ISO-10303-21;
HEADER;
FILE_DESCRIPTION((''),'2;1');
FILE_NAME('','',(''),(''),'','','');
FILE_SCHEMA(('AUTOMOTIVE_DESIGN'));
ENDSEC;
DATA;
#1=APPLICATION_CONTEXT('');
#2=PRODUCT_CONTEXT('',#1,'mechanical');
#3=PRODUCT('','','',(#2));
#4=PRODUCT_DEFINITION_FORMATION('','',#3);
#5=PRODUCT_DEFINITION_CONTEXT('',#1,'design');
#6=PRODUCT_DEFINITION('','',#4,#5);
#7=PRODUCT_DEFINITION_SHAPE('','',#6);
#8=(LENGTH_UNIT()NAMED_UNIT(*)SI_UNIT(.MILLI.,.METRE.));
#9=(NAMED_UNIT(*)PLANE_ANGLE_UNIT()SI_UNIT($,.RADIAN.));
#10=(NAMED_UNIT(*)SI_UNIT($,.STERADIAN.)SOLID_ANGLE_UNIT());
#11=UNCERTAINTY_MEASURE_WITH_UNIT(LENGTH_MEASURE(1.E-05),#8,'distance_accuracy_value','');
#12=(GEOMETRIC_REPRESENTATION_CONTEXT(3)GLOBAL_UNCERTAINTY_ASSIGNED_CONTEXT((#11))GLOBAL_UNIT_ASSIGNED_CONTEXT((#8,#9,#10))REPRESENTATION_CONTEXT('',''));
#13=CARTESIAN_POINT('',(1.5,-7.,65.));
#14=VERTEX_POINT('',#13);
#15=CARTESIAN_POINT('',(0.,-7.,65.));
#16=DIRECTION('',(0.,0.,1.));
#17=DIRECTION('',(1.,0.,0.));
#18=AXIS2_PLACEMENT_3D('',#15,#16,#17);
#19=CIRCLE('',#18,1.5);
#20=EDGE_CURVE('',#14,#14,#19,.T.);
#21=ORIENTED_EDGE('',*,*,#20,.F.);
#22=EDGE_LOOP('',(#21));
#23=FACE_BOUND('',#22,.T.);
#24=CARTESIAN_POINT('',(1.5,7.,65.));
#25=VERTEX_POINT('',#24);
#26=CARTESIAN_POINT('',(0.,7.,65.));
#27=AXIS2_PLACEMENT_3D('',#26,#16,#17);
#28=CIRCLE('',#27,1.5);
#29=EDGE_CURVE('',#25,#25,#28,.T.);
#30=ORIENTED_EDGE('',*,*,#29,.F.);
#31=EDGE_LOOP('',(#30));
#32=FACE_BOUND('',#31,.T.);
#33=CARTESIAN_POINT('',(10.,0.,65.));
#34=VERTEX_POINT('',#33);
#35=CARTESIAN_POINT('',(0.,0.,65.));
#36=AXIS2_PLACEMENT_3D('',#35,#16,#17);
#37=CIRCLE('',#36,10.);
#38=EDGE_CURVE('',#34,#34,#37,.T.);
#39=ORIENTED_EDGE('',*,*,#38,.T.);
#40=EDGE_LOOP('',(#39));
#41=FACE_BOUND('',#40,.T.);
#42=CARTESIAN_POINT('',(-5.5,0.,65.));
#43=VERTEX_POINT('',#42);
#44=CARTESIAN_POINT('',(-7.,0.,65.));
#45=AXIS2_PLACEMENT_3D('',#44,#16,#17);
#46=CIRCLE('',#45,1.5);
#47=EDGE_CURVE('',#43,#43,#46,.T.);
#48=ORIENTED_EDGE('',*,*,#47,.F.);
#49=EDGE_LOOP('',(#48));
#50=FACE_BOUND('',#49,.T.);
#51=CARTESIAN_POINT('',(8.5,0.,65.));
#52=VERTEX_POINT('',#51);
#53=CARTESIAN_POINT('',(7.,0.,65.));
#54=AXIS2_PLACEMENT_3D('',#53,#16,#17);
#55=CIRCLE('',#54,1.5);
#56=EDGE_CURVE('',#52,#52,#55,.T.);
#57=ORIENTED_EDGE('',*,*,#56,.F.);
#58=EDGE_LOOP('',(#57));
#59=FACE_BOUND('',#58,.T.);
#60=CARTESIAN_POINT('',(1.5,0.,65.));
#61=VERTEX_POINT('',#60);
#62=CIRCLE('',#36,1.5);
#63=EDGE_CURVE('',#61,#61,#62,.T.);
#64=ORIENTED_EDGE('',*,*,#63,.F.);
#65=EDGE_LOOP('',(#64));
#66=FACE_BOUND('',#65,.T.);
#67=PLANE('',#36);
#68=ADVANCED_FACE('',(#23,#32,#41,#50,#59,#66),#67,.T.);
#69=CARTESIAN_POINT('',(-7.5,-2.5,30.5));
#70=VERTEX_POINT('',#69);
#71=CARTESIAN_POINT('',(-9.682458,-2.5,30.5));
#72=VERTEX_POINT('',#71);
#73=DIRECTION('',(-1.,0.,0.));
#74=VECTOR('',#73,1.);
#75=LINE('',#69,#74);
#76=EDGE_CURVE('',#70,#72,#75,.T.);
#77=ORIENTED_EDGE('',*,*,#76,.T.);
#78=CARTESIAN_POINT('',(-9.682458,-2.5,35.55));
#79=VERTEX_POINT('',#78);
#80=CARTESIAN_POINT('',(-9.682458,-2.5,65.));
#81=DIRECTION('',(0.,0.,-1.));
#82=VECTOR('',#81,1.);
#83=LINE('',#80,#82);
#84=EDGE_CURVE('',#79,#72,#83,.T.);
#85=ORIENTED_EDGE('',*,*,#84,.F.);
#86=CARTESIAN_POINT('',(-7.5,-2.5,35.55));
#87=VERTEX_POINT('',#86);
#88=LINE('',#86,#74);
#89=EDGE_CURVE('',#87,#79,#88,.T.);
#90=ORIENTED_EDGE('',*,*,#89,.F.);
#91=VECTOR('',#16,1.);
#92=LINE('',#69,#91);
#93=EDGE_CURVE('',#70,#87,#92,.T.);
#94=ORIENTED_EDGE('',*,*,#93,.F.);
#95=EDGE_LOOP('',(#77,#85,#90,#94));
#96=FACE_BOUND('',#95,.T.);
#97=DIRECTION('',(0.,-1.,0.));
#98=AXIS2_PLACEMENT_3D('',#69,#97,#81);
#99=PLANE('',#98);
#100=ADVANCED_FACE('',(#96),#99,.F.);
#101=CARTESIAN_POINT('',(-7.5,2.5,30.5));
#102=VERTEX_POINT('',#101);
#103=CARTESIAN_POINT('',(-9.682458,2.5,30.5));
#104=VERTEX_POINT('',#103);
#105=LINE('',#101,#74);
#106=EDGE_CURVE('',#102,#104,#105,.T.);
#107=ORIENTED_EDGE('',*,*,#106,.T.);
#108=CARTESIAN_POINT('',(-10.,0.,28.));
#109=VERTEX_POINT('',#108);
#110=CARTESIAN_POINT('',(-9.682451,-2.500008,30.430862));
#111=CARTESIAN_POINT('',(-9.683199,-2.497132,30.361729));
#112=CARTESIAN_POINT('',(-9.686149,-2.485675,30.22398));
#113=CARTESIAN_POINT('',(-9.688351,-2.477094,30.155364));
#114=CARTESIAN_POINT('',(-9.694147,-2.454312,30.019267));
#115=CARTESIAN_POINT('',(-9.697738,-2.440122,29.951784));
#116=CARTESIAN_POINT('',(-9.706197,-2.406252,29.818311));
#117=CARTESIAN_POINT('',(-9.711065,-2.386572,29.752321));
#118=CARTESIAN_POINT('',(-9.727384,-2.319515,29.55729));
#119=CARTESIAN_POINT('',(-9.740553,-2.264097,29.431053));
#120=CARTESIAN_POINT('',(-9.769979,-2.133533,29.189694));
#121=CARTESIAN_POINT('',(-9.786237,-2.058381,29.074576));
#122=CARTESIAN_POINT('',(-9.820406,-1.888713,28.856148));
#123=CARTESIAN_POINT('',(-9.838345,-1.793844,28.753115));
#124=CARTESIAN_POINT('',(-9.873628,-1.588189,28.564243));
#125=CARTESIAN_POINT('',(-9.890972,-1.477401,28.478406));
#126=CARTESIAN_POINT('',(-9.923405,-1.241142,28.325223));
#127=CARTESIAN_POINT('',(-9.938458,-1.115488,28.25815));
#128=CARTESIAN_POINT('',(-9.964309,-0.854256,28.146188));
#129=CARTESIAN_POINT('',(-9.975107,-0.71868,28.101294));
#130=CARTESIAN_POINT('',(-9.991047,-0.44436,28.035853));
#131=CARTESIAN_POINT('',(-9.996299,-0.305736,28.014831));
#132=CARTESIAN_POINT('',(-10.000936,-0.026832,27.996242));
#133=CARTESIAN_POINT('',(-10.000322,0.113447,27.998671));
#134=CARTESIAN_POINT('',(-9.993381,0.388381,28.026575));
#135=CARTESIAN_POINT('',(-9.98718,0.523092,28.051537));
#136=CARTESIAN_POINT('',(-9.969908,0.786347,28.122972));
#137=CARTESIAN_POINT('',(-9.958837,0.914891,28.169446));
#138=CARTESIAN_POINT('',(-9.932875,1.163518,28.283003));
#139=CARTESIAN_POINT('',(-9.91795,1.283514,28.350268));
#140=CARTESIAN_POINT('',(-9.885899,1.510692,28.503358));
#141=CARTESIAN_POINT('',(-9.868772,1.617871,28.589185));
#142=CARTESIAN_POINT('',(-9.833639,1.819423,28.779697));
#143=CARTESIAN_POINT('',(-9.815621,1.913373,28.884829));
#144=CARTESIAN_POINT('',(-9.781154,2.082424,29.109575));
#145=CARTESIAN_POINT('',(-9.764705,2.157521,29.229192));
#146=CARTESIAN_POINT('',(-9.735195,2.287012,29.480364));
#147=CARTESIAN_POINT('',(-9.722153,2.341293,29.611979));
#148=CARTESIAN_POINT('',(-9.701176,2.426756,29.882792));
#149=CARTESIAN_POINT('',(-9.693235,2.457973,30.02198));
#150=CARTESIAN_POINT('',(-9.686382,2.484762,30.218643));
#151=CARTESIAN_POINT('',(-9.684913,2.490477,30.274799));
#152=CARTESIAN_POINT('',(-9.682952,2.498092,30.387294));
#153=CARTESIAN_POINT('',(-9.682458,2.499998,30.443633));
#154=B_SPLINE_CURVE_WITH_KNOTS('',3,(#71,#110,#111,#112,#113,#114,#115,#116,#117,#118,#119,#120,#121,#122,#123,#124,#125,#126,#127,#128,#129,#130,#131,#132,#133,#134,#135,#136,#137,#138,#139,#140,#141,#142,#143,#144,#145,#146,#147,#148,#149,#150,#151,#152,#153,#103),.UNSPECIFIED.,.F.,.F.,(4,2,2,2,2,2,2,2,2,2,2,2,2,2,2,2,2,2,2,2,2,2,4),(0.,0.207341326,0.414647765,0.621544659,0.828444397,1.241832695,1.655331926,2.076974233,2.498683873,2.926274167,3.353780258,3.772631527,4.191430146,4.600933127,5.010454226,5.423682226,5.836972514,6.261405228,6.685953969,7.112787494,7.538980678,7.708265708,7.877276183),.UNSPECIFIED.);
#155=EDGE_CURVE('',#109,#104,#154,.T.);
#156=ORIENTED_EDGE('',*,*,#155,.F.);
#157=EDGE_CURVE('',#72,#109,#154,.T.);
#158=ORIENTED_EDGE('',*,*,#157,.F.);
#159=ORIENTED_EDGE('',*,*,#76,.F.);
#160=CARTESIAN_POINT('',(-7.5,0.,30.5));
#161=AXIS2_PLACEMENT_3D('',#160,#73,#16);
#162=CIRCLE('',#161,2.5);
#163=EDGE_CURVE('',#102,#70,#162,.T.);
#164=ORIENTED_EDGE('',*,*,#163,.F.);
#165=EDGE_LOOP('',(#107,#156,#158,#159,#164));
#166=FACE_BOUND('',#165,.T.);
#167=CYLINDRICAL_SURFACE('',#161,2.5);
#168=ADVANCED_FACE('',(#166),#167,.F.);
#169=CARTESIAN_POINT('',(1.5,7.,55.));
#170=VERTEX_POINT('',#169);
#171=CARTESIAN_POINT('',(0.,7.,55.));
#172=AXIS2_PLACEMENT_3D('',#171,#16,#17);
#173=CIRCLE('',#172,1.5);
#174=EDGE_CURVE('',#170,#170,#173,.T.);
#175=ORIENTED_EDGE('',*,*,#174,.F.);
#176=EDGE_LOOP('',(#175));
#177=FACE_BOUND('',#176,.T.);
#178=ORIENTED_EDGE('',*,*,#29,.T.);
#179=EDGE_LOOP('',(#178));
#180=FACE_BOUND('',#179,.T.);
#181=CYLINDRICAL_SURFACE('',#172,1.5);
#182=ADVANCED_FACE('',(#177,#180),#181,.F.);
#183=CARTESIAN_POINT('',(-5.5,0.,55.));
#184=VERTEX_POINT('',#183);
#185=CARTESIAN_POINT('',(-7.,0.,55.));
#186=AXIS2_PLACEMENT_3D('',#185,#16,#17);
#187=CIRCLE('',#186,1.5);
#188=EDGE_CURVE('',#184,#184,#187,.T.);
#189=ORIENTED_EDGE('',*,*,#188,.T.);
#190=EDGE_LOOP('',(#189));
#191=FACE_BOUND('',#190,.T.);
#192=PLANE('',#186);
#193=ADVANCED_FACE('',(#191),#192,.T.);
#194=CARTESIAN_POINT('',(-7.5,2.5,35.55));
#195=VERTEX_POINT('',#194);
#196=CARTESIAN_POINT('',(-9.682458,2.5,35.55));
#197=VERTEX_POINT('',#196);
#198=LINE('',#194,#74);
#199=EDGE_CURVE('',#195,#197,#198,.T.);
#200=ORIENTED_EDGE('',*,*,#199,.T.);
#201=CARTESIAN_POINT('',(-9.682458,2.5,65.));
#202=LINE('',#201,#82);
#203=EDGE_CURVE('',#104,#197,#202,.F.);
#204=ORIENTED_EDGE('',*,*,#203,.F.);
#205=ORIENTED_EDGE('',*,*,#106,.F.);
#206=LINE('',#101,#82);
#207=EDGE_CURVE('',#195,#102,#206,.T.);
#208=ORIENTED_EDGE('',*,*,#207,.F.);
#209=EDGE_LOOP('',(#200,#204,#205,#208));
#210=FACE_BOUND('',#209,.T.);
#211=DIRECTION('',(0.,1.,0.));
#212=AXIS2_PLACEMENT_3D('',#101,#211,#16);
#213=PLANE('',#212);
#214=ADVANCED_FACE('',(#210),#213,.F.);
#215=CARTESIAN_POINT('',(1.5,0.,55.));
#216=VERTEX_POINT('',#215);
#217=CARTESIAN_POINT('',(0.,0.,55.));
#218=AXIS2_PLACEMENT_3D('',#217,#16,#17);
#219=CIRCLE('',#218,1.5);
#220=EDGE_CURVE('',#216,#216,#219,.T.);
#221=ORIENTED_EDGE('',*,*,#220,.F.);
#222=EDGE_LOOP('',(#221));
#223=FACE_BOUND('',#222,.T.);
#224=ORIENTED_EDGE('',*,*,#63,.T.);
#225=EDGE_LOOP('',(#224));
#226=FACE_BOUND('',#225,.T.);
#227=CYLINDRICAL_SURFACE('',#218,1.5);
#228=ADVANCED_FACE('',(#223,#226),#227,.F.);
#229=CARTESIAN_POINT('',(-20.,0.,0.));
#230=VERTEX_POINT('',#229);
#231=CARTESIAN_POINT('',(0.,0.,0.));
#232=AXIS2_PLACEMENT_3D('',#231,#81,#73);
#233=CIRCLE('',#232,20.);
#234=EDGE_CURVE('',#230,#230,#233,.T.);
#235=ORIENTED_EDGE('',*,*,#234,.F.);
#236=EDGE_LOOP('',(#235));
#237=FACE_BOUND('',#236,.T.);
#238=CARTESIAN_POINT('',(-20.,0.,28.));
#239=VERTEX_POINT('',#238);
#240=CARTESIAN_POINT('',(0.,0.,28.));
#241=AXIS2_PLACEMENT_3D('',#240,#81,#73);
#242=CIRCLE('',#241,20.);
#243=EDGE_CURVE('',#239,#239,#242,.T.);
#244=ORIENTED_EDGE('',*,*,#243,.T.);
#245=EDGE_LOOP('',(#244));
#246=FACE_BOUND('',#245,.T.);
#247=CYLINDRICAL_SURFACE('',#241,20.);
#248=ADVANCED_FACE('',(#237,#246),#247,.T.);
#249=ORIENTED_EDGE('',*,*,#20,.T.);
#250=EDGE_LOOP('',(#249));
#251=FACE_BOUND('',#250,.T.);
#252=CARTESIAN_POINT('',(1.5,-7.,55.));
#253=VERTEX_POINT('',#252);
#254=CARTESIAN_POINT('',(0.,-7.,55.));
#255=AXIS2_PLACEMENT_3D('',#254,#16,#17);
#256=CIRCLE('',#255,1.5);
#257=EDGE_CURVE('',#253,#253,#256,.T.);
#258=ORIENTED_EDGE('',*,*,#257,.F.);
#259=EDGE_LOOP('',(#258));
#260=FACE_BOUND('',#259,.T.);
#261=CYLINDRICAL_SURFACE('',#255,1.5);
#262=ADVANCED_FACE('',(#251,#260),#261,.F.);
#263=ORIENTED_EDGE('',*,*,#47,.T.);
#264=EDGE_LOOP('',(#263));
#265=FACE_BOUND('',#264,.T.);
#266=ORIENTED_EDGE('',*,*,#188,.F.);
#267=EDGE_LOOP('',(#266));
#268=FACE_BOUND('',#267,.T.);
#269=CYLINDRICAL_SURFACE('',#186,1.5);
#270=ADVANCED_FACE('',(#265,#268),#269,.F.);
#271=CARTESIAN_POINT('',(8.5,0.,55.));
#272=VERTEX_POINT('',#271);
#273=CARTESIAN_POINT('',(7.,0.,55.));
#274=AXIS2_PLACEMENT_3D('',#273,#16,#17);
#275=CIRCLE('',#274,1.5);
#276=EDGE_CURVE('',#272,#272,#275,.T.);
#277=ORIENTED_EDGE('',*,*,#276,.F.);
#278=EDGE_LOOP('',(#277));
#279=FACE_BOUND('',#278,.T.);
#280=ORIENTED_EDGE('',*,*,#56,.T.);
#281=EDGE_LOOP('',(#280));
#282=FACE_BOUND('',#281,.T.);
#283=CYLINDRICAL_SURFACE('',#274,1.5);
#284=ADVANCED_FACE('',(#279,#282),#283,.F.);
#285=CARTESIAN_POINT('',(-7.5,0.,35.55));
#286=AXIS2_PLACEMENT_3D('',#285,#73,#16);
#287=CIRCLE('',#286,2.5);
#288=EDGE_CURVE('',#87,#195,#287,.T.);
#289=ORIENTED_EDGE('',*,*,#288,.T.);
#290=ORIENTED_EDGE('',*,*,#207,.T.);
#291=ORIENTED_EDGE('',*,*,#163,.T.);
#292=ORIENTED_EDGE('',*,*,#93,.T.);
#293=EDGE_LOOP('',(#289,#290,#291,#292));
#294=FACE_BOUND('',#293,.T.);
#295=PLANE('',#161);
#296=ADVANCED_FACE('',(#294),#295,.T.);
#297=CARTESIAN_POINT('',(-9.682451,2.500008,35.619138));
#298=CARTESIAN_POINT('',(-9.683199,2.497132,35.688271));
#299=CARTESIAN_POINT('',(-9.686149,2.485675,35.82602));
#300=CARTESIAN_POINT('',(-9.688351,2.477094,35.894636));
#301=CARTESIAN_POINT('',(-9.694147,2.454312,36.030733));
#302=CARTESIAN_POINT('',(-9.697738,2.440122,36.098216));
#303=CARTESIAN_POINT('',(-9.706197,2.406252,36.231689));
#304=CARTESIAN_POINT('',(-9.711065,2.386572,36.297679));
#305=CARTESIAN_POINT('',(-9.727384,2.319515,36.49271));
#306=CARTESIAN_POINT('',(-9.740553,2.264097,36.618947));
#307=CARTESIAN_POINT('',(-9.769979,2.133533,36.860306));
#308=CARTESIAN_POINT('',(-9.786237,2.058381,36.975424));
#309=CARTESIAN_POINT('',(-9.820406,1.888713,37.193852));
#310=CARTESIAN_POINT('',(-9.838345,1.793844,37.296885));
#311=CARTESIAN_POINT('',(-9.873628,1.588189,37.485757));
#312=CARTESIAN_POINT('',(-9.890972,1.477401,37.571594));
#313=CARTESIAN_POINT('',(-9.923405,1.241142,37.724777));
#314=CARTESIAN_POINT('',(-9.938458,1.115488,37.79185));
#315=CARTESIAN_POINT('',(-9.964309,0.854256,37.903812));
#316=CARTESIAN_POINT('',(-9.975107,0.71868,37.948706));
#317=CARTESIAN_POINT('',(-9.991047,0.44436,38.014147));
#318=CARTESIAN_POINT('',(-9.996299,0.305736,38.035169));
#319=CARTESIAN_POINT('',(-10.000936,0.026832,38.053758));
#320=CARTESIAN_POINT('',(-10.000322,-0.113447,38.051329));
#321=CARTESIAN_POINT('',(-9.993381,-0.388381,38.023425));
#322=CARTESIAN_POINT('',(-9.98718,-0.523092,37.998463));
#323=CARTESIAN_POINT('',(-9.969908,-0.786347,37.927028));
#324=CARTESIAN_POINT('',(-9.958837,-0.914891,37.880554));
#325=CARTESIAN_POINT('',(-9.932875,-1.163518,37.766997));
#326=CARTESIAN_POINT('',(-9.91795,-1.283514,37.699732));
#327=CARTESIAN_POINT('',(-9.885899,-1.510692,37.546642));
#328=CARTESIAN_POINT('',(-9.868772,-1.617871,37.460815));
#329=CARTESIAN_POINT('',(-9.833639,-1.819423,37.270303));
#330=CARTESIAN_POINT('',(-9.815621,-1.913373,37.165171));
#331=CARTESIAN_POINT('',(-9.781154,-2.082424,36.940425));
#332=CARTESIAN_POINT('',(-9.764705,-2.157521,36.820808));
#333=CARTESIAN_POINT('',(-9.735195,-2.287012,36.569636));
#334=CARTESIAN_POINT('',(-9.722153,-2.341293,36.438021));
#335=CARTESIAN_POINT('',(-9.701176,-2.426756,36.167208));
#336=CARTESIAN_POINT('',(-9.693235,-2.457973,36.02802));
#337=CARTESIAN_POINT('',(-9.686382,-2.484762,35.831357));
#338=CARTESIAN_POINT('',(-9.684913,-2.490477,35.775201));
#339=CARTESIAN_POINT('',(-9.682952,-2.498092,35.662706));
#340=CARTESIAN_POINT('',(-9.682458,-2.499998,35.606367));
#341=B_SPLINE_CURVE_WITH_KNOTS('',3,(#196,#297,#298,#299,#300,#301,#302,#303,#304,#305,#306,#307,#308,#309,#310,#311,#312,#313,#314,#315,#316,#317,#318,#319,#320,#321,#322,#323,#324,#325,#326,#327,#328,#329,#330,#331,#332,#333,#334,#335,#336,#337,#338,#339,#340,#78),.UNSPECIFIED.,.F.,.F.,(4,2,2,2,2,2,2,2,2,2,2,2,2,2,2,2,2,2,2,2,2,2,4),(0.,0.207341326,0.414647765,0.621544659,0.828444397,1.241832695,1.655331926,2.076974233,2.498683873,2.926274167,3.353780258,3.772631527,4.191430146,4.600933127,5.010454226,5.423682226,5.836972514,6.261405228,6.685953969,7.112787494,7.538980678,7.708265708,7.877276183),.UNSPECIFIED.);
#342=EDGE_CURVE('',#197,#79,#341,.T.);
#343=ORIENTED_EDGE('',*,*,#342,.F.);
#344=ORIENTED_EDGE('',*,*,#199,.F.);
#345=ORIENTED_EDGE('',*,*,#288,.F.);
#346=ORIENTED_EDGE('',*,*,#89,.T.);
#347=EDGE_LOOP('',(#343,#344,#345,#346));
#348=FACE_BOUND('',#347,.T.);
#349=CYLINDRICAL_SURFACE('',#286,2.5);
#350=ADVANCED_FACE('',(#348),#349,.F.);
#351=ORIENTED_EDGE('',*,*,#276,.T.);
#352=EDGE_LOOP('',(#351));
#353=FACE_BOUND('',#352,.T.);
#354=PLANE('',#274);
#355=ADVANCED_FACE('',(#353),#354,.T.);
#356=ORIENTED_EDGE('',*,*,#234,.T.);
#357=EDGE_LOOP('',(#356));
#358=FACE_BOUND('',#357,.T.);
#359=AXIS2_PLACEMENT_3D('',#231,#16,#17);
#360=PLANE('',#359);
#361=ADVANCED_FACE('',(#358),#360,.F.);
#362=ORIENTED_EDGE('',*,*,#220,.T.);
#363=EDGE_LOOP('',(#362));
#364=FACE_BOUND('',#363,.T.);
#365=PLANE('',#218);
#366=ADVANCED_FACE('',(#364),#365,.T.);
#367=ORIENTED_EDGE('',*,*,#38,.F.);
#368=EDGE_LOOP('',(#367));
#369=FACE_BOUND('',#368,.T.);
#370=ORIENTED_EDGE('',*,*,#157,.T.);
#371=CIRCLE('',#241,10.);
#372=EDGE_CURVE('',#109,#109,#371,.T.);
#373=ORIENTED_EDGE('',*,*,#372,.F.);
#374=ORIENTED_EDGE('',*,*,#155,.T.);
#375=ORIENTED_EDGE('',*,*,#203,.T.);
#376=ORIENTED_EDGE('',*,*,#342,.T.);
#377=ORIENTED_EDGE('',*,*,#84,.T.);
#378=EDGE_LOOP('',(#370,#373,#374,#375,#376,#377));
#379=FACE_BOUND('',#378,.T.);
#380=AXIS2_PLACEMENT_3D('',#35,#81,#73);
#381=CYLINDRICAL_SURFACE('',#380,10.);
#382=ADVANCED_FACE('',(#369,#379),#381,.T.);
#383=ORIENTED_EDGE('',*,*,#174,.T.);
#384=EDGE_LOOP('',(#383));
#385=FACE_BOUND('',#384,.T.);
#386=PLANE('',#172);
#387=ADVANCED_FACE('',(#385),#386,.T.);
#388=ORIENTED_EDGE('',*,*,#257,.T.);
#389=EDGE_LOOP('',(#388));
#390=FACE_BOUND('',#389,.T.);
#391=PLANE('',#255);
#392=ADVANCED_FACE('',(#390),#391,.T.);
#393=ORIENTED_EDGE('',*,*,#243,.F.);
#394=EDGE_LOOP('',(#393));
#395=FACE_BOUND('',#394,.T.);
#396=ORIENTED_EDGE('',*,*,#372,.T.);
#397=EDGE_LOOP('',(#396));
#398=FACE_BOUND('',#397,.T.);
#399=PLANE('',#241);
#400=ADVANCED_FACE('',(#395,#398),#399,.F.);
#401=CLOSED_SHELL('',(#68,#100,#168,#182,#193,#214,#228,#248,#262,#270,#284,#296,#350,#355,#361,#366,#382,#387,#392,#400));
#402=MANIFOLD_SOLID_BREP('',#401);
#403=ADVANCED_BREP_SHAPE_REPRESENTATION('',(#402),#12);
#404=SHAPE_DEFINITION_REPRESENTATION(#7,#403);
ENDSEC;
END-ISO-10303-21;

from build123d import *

# Parameters (mm, degrees)
SKETCH_1_R          = 10
EXTRUDE_1_DEPTH     = 65
CUT_EXTRUDE_1_DEPTH = 2.5
SKETCH_3_R          = 20
EXTRUDE_2_DEPTH     = 28
SKETCH_4_R          = 1.5
CUT_EXTRUDE_2_DEPTH = 10
SKETCH_5_R          = 1.5
CUT_EXTRUDE_3_DEPTH = 10


with BuildPart() as part:
    # 草图1 → 凸台-拉伸1 (new body)
    with BuildSketch(Plane.XY):
        Circle(SKETCH_1_R)
    extrude(amount=EXTRUDE_1_DEPTH)

    # 草图2 → 切除-拉伸1 (cut)
    with BuildSketch(Plane.ZY.offset(10)):
        with BuildLine():
            Line((30.5, 2.5), (35.55, 2.5))
            ThreePointArc((35.55, 2.5), (38.05, 0), (35.55, -2.5))
            Line((35.55, -2.5), (30.5, -2.5))
            ThreePointArc((30.5, -2.5), (28, 0), (30.5, 2.5))
        make_face()
    extrude(amount=-CUT_EXTRUDE_1_DEPTH, mode=Mode.SUBTRACT)

    # 草图3 → 凸台-拉伸2 (add)
    with BuildSketch(Plane(origin=(0, 0, 0), x_dir=(-1, 0, 0), z_dir=(0, 0, -1))):
        Circle(SKETCH_3_R)
    extrude(amount=-EXTRUDE_2_DEPTH)

    # 草图4 → 切除-拉伸2 (cut)
    with BuildSketch(Plane.XY.offset(65)):
        with Locations((0, 7)):
            Circle(SKETCH_4_R)
        with Locations((7, 0)):
            Circle(SKETCH_4_R)
        with Locations((0, -7)):
            Circle(SKETCH_4_R)
        with Locations((-7, 0)):
            Circle(SKETCH_4_R)
    extrude(amount=-CUT_EXTRUDE_2_DEPTH, mode=Mode.SUBTRACT)

    # 草图5 → 切除-拉伸3 (cut)
    with BuildSketch(Plane.XY.offset(65)):
        Circle(SKETCH_5_R)
    extrude(amount=-CUT_EXTRUDE_3_DEPTH, mode=Mode.SUBTRACT)


solid = part.part
